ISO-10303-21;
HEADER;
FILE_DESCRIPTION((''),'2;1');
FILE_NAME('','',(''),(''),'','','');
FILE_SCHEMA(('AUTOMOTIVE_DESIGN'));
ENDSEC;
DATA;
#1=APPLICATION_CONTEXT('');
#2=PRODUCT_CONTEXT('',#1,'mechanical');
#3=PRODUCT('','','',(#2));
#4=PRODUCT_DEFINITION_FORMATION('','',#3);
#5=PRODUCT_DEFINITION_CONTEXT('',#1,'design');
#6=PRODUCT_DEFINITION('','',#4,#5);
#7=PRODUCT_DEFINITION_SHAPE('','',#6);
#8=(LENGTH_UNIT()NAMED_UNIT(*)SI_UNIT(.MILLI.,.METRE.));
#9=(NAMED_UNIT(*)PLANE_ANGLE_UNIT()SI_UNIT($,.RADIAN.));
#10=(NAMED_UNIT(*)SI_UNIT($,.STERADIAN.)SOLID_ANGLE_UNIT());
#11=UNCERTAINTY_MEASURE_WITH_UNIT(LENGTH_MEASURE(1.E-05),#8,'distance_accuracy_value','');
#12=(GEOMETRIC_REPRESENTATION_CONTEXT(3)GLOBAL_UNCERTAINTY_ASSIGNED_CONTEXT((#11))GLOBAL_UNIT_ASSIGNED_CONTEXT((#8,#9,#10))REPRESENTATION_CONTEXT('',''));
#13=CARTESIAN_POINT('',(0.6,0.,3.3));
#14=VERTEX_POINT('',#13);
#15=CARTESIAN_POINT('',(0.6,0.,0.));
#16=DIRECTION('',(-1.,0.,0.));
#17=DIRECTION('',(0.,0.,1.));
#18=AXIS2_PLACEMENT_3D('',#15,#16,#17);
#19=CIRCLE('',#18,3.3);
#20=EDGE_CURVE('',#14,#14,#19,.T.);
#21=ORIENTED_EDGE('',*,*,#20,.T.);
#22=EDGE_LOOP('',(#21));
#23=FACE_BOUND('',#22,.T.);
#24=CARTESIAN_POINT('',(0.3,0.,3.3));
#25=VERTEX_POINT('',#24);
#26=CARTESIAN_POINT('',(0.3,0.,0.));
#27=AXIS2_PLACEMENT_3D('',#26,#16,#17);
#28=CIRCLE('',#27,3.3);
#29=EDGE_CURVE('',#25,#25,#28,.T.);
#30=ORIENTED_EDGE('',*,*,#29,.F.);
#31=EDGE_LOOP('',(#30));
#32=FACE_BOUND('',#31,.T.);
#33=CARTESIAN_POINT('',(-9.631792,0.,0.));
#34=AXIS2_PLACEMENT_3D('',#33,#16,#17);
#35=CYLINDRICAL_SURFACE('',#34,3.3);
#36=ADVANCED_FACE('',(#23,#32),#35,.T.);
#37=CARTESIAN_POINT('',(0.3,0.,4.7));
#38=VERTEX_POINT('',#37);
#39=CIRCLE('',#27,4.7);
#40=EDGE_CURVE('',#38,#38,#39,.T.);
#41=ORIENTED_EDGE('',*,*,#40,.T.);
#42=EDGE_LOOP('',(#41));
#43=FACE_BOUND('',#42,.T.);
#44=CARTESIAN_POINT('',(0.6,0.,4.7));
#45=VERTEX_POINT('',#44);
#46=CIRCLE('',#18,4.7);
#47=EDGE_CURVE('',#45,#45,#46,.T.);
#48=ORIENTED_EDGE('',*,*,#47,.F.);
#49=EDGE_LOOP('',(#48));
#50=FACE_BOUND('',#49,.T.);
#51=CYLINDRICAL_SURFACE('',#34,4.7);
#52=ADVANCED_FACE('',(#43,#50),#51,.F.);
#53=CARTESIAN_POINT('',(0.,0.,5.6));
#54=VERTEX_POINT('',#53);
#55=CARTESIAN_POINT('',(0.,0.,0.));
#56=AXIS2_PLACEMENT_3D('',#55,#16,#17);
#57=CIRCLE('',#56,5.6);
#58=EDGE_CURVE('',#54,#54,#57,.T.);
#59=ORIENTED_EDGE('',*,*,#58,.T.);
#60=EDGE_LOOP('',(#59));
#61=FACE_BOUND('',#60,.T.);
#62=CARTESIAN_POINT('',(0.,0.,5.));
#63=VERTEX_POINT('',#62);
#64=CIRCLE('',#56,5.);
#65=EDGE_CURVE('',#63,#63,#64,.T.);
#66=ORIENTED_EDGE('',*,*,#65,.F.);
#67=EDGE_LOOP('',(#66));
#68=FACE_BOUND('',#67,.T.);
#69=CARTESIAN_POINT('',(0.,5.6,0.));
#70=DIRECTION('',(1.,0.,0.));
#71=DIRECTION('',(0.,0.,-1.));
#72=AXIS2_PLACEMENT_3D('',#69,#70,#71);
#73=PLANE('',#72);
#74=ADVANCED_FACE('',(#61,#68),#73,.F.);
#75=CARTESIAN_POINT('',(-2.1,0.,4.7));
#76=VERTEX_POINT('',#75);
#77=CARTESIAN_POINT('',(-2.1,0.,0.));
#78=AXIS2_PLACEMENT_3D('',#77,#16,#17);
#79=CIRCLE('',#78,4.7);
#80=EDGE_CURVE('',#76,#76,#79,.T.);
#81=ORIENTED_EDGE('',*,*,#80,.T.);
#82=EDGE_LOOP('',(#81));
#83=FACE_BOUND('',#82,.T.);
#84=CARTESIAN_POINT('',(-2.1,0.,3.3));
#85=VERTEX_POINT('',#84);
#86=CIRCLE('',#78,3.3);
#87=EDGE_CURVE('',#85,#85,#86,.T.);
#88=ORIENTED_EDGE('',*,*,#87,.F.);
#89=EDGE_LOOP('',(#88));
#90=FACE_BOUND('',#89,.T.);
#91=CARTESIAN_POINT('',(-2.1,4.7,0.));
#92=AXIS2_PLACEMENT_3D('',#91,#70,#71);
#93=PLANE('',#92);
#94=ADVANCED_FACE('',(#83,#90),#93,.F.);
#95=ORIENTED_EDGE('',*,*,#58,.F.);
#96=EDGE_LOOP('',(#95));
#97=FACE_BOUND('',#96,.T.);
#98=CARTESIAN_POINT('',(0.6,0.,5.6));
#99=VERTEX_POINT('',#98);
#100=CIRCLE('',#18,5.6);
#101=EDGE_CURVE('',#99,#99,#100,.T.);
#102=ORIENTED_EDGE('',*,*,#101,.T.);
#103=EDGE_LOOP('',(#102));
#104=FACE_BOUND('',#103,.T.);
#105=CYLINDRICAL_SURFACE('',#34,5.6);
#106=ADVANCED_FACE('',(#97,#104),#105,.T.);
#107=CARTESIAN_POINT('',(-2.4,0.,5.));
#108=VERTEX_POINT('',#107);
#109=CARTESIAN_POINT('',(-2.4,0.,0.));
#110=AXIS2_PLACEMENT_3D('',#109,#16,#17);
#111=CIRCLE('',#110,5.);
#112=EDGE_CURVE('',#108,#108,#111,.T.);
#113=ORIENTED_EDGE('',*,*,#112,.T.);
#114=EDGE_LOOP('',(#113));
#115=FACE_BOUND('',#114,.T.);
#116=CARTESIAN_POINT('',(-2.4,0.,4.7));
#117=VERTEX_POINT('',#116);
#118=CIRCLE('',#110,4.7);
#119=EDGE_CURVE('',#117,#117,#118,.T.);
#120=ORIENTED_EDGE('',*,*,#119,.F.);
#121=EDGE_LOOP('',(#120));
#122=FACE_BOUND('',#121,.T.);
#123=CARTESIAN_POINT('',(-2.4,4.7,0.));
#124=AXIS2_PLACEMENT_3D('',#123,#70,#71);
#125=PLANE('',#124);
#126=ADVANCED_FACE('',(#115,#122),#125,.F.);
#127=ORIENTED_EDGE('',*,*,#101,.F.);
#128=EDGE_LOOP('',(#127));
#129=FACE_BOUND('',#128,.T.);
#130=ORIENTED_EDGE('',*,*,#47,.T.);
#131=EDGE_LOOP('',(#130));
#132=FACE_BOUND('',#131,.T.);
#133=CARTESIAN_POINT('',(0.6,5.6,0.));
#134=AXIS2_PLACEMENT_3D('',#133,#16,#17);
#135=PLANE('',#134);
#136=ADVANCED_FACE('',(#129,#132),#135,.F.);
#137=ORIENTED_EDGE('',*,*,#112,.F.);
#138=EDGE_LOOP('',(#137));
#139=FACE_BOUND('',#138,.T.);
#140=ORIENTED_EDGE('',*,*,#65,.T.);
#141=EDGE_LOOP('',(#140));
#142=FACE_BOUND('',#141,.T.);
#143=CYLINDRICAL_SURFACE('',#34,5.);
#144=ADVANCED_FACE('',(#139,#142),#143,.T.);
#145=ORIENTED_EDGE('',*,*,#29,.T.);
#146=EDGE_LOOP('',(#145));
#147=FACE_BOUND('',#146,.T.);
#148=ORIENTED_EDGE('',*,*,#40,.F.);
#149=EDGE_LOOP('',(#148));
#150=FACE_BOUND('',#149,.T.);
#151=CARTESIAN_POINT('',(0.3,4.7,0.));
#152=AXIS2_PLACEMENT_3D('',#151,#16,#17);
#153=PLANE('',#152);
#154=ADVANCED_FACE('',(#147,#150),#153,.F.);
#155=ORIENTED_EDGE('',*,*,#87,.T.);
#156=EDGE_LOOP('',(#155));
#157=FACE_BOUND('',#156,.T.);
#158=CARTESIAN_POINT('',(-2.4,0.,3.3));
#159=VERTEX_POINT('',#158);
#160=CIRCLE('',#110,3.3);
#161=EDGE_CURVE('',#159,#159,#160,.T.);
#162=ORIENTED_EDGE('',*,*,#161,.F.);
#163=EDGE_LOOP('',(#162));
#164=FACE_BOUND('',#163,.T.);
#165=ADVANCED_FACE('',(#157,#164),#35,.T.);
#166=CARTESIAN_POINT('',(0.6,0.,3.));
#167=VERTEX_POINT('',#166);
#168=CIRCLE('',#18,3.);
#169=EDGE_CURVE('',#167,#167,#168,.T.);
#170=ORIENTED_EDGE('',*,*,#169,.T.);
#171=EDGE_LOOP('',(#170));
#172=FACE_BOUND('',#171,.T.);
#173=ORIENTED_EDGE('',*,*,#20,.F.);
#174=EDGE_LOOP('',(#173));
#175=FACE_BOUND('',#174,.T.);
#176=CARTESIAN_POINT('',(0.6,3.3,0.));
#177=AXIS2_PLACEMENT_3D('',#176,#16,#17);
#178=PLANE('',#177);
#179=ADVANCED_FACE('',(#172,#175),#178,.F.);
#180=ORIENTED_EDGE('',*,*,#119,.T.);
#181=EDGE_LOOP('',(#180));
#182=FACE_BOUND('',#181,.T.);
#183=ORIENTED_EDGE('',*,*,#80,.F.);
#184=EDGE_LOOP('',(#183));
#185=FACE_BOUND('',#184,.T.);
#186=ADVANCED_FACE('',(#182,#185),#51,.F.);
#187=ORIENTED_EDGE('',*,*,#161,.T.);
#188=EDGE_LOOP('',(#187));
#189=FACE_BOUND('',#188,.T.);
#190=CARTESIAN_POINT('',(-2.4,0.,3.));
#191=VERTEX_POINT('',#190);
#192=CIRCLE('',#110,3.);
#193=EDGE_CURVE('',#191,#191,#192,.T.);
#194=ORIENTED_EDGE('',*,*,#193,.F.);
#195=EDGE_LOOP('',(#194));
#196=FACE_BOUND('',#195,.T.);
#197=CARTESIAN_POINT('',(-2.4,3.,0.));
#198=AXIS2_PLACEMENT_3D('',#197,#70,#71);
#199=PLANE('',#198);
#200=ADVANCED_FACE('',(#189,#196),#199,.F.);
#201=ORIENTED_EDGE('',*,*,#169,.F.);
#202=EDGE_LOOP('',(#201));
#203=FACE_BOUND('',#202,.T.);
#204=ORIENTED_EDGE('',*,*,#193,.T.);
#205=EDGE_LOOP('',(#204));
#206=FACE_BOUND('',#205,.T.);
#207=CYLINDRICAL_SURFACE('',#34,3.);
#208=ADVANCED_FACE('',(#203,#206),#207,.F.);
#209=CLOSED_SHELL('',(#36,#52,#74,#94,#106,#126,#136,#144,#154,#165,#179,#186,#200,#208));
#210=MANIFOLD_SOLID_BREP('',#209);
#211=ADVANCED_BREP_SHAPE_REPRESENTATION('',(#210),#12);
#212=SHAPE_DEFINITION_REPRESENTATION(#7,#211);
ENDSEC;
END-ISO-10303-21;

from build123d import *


with BuildPart() as part:
    # Sketch1 → Revolve1 (revolve)
    with BuildSketch(Plane.XY):
        Polygon((0, 5.6), (0, 5), (-2.4, 5), (-2.4, 4.7), (-2.1, 4.7), (-2.1, 3.3), (-2.4, 3.3), (-2.4, 3), (0.6, 3), (0.6, 3.3), (0.3, 3.3), (0.3, 4.7), (0.6, 4.7), (0.6, 5.6), align=None)
    revolve(axis=Axis((-9.631792018, 0, 0), (1, 0, 0)))


solid = part.part
